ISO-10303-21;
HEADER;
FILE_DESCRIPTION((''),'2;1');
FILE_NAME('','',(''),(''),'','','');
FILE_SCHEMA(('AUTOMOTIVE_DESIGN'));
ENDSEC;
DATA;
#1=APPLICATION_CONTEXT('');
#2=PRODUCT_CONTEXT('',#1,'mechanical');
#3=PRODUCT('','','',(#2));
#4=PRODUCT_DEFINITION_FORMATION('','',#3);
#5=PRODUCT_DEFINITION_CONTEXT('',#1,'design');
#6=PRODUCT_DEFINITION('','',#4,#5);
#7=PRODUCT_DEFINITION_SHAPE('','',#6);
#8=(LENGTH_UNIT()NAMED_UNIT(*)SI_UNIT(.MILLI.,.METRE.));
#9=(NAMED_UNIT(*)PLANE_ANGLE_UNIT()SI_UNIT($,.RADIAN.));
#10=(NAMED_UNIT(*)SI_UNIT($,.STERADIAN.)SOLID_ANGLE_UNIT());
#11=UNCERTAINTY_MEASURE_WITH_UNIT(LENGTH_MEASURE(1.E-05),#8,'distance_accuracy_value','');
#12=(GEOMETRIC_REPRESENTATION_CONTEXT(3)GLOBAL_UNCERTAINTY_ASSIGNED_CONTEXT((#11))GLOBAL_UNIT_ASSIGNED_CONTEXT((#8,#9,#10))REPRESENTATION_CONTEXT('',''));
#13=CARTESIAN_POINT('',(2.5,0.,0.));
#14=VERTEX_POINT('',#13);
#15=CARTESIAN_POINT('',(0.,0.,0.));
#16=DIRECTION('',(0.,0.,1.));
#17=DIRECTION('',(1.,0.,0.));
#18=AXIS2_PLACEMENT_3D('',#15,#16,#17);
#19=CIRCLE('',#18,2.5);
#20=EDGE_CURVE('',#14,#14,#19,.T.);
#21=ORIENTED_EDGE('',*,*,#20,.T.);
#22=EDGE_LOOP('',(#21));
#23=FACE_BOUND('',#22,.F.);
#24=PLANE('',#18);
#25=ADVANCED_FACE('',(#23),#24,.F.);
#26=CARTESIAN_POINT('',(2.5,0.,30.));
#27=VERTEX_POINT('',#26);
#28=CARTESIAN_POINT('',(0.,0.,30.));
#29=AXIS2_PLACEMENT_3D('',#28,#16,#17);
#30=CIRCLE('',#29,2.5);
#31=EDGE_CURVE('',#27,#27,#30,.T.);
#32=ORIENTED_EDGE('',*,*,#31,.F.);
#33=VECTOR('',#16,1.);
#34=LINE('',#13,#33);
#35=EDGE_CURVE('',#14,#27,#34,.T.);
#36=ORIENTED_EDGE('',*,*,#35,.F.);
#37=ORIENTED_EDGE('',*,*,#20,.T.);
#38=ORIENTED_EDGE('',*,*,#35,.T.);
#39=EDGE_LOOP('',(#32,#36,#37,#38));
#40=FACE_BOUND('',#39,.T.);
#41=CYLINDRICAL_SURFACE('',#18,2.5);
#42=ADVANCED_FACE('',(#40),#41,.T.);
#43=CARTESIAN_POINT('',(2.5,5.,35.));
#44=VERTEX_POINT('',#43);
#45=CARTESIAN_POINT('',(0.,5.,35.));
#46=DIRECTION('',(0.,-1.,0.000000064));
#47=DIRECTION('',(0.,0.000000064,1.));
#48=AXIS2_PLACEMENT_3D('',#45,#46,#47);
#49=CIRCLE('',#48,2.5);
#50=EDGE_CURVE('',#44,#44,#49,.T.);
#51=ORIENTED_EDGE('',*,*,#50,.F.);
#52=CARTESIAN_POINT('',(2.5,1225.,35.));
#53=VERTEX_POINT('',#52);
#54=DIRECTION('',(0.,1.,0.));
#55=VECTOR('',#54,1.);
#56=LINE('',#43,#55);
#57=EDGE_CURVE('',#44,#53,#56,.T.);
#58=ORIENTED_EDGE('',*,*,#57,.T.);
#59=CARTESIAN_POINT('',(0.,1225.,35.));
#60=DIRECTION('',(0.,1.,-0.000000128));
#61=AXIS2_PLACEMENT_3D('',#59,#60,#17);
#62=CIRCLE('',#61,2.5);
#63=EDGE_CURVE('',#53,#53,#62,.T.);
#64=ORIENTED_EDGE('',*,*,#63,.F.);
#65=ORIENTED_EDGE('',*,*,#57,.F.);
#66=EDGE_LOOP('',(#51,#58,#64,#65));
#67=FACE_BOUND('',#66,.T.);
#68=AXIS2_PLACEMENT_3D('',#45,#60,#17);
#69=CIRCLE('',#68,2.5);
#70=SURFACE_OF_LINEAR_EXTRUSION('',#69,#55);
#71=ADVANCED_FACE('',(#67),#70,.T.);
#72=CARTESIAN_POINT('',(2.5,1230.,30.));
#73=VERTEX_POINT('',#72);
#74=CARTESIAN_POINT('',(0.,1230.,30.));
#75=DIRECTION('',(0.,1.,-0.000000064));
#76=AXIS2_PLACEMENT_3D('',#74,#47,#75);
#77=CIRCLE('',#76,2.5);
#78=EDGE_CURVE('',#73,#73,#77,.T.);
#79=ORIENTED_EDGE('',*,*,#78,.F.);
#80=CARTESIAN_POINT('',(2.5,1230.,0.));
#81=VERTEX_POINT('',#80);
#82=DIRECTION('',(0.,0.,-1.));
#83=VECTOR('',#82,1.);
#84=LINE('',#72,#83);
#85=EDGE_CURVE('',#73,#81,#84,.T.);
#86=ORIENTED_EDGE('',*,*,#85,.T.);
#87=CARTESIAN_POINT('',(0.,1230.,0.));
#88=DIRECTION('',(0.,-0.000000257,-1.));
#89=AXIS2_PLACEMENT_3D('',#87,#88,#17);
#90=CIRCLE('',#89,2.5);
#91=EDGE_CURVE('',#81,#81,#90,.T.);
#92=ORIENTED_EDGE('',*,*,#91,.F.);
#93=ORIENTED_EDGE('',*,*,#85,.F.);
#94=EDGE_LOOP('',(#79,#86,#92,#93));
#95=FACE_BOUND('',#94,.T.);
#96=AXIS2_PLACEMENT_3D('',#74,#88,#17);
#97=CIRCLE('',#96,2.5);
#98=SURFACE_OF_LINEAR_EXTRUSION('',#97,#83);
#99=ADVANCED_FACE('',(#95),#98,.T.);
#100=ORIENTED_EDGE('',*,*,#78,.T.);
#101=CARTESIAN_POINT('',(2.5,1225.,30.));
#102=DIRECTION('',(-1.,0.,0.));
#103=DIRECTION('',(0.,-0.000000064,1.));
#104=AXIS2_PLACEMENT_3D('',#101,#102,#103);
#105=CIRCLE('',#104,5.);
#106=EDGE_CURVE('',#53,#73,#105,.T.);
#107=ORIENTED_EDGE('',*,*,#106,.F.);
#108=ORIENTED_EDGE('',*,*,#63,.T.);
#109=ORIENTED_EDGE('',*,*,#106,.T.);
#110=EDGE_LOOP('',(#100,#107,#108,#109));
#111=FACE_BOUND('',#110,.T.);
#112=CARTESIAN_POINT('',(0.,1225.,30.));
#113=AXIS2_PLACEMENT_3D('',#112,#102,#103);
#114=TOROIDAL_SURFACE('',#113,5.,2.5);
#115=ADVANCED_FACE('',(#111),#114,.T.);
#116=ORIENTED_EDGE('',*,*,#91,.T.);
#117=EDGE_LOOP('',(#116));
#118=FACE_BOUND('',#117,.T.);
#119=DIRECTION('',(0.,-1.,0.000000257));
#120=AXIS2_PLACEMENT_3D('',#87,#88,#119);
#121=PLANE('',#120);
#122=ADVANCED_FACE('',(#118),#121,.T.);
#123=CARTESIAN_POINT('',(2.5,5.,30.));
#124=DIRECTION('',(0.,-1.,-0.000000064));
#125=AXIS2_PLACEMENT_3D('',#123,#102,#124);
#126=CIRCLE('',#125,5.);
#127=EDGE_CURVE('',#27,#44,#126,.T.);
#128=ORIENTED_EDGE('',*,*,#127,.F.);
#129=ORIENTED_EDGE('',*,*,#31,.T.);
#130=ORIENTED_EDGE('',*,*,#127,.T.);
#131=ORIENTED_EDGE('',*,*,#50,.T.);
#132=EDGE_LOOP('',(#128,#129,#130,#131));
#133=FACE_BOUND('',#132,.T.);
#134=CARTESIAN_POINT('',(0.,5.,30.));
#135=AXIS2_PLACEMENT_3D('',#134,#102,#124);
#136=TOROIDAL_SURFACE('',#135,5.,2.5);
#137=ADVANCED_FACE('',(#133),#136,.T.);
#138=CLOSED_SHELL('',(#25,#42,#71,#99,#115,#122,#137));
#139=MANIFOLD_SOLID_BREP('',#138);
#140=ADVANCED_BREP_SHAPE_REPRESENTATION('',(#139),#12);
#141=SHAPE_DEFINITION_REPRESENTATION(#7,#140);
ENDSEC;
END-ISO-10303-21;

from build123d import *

# Parameters (mm, degrees)
F1_R = 2.5


with BuildPart() as f2:
    # F2: sweep along a path in F0
    with BuildLine(Plane.YZ) as f2_path:
        Line((0, 0), (0, 30))
        ThreePointArc((0, 30), (1.464466, 33.535534), (5, 35))
        Line((5, 35), (1225, 35))
        ThreePointArc((1225, 35), (1228.535534, 33.535534), (1230, 30))
        Line((1230, 30), (1230, 0))
    # F1 (on Top) → F2 (sweep)
    with BuildSketch(Plane.XY):
        Circle(F1_R)
    sweep(path=f2_path.line)


solid = f2.part
